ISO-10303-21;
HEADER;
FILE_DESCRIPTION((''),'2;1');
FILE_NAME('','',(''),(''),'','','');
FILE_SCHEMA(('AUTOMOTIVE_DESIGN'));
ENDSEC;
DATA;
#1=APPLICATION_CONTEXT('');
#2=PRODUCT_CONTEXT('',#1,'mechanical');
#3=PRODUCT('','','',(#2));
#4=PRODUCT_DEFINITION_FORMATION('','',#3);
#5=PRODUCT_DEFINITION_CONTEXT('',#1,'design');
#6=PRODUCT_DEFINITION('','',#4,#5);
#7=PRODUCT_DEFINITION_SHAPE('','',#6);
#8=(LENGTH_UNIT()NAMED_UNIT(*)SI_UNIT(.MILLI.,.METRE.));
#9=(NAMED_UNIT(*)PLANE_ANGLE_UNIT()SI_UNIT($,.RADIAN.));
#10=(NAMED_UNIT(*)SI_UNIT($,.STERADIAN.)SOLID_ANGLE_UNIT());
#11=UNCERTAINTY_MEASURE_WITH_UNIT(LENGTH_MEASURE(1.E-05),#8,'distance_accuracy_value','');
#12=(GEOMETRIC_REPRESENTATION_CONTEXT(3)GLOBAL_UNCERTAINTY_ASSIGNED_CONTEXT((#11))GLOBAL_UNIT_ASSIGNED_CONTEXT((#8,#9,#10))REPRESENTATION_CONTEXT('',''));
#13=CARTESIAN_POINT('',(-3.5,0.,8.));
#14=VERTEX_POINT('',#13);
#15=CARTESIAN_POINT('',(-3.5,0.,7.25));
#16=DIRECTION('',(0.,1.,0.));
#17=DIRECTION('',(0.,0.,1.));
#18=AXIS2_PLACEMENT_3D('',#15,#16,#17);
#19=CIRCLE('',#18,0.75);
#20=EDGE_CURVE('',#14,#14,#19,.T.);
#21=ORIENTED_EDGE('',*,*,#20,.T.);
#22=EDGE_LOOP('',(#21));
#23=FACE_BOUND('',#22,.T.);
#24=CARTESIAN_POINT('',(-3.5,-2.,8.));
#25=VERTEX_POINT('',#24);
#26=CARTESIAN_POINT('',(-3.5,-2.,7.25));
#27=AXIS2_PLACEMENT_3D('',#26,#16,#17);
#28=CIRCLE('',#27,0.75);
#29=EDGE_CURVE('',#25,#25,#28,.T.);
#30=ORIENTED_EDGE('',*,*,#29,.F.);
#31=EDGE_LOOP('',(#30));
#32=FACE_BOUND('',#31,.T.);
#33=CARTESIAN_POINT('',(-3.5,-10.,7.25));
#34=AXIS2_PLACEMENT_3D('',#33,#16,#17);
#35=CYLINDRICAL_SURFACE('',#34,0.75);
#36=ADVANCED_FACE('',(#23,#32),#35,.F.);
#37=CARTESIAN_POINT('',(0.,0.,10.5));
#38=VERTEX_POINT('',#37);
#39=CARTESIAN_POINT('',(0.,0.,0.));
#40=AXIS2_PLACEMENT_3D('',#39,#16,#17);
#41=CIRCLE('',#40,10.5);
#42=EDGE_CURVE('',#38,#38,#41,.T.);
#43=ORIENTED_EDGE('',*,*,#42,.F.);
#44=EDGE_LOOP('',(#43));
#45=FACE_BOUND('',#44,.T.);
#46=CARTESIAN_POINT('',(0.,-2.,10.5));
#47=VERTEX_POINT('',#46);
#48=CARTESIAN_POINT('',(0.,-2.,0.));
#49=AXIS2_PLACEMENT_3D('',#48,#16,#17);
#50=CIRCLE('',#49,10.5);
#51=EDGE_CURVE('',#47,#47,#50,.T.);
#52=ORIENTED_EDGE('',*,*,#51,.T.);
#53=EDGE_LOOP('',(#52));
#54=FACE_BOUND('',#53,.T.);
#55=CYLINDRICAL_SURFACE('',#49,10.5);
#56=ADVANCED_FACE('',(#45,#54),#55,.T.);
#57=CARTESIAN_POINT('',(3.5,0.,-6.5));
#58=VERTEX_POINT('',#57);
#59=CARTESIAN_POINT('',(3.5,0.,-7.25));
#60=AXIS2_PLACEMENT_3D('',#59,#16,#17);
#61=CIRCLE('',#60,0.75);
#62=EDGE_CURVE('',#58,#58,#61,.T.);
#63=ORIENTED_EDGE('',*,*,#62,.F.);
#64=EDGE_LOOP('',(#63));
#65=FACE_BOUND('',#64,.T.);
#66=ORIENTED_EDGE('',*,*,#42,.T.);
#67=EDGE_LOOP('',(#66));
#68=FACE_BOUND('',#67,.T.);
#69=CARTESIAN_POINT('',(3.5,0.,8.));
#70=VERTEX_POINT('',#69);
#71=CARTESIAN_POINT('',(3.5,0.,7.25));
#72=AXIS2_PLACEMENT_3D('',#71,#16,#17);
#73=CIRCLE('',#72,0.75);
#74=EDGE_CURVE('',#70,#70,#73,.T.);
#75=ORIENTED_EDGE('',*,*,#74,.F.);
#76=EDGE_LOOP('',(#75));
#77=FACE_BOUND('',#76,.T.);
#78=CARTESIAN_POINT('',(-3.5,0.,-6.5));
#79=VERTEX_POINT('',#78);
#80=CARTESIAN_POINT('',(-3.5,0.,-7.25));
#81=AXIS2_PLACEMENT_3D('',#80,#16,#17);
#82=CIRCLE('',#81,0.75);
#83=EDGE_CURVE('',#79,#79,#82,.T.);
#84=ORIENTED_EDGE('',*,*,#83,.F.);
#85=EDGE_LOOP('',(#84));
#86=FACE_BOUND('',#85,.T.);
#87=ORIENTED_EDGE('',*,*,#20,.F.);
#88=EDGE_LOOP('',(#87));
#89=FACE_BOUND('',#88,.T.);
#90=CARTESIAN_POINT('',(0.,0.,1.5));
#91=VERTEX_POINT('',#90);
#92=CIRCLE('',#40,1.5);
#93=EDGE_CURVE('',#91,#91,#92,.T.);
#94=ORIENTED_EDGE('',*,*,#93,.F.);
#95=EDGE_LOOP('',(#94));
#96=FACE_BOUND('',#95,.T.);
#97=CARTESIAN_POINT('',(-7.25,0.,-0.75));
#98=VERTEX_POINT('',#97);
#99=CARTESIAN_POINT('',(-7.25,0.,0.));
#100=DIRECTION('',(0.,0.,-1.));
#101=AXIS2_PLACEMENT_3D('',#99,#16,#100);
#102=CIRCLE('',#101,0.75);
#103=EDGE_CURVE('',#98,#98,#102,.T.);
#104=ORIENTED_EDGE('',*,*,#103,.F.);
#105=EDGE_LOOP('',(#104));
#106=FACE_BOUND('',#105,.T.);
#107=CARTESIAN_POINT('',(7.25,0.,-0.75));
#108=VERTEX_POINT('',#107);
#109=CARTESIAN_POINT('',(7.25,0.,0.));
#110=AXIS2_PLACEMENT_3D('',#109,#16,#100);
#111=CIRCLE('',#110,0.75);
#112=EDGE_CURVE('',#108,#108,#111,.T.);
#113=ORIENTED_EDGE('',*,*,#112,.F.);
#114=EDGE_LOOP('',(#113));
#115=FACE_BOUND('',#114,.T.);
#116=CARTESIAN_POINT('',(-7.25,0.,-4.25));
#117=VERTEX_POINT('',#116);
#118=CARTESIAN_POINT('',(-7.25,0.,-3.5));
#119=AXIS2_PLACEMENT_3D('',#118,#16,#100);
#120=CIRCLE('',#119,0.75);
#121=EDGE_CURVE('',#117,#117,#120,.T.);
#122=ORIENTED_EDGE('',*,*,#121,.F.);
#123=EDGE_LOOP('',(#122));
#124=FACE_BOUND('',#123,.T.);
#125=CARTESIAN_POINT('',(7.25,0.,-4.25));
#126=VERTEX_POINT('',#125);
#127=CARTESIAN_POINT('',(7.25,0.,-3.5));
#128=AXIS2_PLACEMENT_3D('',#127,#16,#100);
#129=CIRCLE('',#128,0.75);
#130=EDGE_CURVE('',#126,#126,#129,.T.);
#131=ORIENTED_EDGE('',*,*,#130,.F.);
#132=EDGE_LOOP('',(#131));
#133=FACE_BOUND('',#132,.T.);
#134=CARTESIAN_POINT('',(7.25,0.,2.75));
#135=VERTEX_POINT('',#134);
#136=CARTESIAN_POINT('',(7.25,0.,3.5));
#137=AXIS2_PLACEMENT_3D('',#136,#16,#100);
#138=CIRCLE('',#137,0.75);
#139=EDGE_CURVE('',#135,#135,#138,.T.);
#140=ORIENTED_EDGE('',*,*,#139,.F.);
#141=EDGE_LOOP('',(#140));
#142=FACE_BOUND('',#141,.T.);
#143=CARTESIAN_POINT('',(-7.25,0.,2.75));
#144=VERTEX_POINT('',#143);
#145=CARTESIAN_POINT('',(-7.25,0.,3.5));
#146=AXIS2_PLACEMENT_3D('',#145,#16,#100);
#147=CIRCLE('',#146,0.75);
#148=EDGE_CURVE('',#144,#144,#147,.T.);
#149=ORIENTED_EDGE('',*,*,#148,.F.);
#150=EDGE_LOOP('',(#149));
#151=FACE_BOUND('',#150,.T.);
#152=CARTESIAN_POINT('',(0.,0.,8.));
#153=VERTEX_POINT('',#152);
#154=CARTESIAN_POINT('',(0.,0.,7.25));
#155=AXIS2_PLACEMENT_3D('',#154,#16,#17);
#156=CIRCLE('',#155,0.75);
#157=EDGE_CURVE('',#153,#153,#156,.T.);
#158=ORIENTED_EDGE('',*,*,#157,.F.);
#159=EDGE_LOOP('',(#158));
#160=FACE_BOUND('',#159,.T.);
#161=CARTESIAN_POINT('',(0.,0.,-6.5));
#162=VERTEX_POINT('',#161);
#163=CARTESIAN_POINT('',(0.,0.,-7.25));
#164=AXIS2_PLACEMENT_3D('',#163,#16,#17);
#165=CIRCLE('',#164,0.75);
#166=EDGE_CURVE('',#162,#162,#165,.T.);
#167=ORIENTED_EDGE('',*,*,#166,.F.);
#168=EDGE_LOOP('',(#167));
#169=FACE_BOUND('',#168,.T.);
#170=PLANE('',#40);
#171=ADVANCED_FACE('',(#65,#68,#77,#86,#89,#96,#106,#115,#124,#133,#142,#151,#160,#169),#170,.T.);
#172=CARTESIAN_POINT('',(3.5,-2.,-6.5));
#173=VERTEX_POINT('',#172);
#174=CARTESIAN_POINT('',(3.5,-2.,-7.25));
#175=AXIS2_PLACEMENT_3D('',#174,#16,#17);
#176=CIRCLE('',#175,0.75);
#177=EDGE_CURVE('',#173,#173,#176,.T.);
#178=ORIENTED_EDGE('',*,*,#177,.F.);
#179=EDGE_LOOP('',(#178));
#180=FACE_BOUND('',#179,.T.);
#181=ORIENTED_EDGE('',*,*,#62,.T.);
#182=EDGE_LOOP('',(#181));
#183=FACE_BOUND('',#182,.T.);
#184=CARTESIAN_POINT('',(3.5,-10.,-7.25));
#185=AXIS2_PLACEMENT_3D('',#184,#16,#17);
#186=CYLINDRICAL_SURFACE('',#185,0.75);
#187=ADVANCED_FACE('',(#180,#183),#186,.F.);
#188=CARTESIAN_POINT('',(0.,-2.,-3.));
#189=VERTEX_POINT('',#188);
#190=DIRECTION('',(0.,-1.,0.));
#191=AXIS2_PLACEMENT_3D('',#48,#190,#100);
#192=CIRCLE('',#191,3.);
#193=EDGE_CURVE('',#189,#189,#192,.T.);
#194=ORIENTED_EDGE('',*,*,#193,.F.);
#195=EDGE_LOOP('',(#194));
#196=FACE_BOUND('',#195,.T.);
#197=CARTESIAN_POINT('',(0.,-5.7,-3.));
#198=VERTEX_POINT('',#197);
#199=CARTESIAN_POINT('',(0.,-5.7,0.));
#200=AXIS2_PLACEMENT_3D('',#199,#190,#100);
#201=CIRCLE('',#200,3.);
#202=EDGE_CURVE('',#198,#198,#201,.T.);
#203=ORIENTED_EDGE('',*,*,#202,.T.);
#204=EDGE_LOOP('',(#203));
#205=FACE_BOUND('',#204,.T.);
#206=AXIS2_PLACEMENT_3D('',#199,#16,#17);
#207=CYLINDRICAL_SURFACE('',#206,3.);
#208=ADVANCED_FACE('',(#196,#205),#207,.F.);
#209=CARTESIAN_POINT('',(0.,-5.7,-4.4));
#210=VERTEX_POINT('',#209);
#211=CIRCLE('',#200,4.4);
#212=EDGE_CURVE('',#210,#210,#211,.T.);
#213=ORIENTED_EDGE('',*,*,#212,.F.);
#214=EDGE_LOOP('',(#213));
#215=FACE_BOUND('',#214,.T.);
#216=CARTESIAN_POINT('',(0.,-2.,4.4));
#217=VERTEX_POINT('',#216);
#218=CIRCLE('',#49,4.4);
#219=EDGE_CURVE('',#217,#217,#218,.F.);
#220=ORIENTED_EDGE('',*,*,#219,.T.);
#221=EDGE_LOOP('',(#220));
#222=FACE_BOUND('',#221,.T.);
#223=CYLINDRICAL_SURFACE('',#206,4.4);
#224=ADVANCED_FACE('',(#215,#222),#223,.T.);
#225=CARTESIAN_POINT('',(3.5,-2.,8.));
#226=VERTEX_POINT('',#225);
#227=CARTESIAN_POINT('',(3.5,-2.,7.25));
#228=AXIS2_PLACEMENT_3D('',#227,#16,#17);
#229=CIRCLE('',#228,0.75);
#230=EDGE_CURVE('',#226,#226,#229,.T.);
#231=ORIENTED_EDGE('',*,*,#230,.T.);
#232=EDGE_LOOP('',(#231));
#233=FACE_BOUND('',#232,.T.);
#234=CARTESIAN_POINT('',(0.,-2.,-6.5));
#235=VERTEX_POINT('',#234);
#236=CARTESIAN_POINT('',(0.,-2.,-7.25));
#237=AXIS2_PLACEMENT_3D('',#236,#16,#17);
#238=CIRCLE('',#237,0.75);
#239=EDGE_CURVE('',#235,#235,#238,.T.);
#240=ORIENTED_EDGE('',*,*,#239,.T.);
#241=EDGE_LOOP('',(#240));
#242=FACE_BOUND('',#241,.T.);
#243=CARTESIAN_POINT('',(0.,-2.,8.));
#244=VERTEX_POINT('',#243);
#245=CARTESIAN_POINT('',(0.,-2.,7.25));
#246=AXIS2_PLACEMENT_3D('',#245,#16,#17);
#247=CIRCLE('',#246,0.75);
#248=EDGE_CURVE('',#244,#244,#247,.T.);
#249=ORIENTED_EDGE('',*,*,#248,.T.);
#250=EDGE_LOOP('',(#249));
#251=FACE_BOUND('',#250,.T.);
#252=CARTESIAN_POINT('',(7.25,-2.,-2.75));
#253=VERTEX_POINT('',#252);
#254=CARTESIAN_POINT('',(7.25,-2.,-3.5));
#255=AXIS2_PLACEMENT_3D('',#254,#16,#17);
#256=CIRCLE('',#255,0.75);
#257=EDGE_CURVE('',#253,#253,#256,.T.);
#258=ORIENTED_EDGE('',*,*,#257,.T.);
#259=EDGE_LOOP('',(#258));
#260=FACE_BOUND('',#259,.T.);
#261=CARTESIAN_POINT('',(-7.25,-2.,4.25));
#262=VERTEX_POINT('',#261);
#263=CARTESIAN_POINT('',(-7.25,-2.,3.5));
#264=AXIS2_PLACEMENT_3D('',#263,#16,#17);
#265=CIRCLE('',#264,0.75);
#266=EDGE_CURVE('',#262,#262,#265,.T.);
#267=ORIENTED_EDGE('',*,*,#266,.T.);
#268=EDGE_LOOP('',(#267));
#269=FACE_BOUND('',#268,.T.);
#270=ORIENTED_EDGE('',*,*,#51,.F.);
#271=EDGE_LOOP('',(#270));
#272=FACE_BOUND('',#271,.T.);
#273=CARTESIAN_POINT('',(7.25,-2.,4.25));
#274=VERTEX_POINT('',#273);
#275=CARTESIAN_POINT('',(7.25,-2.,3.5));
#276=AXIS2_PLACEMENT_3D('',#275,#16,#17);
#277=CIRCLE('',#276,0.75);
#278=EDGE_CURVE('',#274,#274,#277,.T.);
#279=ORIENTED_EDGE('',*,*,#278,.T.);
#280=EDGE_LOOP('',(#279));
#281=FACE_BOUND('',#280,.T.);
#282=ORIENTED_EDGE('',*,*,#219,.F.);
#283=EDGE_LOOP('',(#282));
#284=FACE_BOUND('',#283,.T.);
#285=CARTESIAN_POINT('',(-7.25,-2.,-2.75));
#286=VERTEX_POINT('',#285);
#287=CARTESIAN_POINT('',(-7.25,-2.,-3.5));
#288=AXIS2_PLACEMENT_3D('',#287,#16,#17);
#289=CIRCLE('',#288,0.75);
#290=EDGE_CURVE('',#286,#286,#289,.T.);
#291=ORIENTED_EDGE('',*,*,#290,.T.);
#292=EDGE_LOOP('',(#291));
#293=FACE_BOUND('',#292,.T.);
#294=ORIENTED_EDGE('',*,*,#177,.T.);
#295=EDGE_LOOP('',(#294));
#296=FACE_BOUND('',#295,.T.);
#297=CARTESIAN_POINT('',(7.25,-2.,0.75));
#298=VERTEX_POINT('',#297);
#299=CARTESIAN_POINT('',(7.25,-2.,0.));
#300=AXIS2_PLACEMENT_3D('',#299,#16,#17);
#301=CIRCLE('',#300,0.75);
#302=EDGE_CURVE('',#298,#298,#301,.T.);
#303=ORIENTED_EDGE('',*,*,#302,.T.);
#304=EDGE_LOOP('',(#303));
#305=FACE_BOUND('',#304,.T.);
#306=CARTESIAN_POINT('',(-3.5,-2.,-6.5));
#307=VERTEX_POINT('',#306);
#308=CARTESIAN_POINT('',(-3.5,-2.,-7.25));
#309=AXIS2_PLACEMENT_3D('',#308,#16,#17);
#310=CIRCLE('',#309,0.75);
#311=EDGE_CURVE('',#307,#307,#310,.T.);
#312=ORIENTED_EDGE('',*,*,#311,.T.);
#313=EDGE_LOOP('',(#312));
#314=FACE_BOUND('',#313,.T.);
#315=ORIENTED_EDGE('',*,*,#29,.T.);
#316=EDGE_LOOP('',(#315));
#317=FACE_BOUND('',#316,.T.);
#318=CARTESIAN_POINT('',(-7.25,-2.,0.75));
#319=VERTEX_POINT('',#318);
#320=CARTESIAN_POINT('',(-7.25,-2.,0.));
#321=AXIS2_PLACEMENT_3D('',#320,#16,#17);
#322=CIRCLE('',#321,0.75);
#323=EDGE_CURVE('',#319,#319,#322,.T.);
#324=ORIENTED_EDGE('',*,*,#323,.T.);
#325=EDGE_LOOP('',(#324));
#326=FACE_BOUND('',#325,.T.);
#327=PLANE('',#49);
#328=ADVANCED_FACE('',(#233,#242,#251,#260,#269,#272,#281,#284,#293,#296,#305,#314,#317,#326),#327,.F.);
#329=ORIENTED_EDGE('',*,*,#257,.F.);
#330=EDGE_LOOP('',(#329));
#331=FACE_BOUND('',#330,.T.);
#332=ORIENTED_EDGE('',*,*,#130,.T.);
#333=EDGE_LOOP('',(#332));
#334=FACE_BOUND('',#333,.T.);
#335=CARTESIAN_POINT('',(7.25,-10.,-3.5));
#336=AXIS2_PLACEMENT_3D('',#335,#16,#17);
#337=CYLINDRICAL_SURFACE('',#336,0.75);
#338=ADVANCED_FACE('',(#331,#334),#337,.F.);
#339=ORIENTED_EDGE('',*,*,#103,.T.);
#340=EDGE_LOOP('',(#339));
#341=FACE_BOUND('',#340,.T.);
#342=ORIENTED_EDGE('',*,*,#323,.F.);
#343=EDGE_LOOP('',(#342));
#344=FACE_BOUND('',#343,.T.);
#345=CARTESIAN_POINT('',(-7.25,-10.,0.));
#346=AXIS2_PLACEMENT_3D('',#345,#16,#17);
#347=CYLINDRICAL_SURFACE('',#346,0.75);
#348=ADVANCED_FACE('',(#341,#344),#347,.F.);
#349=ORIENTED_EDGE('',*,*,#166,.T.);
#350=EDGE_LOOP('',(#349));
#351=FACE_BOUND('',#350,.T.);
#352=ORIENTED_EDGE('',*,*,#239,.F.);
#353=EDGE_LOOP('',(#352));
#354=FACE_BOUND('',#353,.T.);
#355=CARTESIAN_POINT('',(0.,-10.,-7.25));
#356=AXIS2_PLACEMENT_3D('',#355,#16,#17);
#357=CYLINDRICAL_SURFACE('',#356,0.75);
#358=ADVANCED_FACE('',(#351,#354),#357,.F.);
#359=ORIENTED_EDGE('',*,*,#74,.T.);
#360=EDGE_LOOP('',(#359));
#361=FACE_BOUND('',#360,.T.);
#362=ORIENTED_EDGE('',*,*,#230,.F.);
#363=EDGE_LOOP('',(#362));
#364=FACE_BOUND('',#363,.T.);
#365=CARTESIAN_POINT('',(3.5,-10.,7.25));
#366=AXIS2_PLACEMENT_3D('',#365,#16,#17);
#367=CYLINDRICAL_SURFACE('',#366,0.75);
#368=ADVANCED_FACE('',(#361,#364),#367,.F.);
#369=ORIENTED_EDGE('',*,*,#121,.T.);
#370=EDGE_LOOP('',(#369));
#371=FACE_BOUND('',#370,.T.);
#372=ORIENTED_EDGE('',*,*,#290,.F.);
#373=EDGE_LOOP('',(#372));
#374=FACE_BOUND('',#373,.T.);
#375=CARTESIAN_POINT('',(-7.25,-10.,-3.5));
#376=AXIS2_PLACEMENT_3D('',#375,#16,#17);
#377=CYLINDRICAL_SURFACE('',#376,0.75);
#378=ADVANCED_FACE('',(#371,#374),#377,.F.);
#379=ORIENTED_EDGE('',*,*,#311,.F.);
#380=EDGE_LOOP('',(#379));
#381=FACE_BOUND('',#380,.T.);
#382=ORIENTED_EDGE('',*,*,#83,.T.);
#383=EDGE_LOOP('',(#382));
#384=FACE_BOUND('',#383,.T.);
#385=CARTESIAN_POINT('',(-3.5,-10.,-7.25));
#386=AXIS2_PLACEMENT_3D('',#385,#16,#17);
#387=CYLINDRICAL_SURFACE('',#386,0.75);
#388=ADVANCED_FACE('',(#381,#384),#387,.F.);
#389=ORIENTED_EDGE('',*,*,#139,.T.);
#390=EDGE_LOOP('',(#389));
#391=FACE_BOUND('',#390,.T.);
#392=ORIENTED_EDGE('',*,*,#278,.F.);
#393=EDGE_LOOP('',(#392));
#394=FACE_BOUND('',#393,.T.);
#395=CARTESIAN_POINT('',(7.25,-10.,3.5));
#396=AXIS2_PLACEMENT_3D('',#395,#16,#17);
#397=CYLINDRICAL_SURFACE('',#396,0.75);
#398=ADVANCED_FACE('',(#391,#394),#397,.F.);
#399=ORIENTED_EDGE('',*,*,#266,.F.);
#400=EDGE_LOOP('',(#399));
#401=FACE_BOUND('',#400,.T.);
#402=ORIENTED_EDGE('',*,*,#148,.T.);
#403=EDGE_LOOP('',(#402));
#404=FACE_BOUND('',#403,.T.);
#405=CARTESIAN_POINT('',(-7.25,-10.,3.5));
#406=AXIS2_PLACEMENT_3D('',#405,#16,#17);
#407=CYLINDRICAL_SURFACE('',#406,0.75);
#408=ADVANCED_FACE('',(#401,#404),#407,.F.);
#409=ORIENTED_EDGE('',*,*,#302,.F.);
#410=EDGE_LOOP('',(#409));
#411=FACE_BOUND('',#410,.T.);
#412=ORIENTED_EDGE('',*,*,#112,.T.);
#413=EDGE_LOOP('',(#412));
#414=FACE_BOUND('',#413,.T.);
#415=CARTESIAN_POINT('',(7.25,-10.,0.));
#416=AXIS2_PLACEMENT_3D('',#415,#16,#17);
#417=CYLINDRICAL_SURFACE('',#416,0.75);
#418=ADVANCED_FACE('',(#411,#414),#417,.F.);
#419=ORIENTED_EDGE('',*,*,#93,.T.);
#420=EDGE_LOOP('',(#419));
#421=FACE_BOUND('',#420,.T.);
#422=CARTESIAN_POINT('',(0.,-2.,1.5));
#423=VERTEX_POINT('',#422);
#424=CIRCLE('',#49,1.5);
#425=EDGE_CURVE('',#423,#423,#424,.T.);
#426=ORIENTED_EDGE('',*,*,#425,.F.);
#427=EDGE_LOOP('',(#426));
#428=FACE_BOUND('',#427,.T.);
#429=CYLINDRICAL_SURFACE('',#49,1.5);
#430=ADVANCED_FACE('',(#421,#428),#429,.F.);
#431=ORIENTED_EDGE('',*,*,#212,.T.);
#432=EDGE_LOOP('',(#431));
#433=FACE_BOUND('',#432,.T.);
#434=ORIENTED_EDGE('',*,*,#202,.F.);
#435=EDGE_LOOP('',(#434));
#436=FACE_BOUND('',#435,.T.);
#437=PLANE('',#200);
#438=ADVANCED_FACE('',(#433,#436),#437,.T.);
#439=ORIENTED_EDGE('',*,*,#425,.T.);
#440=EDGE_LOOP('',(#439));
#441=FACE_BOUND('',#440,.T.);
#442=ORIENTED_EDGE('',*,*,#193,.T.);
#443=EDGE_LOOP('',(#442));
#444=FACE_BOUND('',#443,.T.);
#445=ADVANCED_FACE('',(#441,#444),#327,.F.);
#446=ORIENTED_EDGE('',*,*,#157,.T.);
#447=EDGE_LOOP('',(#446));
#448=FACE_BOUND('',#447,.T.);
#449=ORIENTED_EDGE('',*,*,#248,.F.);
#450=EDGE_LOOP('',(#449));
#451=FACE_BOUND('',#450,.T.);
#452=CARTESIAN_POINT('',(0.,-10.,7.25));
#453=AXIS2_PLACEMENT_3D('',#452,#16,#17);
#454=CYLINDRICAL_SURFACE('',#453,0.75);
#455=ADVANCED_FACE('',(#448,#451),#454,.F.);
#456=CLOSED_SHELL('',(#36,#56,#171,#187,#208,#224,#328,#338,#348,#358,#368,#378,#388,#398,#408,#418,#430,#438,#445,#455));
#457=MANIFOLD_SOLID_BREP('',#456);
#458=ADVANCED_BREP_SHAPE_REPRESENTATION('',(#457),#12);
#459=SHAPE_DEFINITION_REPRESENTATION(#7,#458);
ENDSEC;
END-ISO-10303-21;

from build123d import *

# Parameters (mm, degrees)
SKETCH1_R           = 10.5
SKETCH1_R_2         = 1.5
BOSS_EXTRUDE1_DEPTH = 2
SKETCH2_R           = 4.4
SKETCH2_R_2         = 3
BOSS_EXTRUDE2_DEPTH = 3.7
SKETCH3_R           = 0.75
CUT_EXTRUDE1_DEPTH  = 10


with BuildPart() as part:
    # Sketch1 → Boss-Extrude1 (new body)
    with BuildSketch(Plane(origin=(0, 0, 0), x_dir=(1, 0, 0), z_dir=(0, 1, 0))):
        with Locations(Location((0, 0, 0), (0, 0, 270))):
            Circle(SKETCH1_R)
        with Locations(Location((0, 0, 0), (0, 0, 270))):
            Circle(SKETCH1_R_2, mode=Mode.SUBTRACT)
    extrude(amount=-BOSS_EXTRUDE1_DEPTH)

    # Sketch2 → Boss-Extrude2 (add)
    with BuildSketch(Plane.XZ.offset(2)):
        with Locations(Location((0, 0, 0), (0, 0, 90))):
            Circle(SKETCH2_R)
        with Locations(Location((0, 0, 0), (0, 0, 270))):
            Circle(SKETCH2_R_2, mode=Mode.SUBTRACT)
    extrude(amount=BOSS_EXTRUDE2_DEPTH)

    # Sketch3 → Cut-Extrude1 (cut)
    with BuildSketch(Plane(origin=(0, 0, 0), x_dir=(1, 0, 0), z_dir=(0, 1, 0))):
        with Locations(Location((0, 7.25, 0), (0, 0, 270))):
            Circle(SKETCH3_R)
        with Locations(Location((3.5, 7.25, 0), (0, 0, 270))):
            Circle(SKETCH3_R)
        with Locations(Location((-3.5, 7.25, 0), (0, 0, 270))):
            Circle(SKETCH3_R)
        with Locations(Location((-7.25, 3.5, 0), (0, 0, 270))):
            Circle(SKETCH3_R)
        with Locations(Location((-7.25, -3.5, 0), (0, 0, 270))):
            Circle(SKETCH3_R)
        with Locations(Location((-7.25, 0, 0), (0, 0, 270))):
            Circle(SKETCH3_R)
        with Locations(Location((7.25, -3.5, 0), (0, 0, 270))):
            Circle(SKETCH3_R)
        with Locations(Location((7.25, 3.5, 0), (0, 0, 270))):
            Circle(SKETCH3_R)
        with Locations(Location((7.25, 0, 0), (0, 0, 270))):
            Circle(SKETCH3_R)
        with Locations(Location((0, -7.25, 0), (0, 0, 270))):
            Circle(SKETCH3_R)
        with Locations(Location((-3.5, -7.25, 0), (0, 0, 270))):
            Circle(SKETCH3_R)
        with Locations(Location((3.5, -7.25, 0), (0, 0, 270))):
            Circle(SKETCH3_R)
    extrude(amount=-CUT_EXTRUDE1_DEPTH, mode=Mode.SUBTRACT)


solid = part.part
